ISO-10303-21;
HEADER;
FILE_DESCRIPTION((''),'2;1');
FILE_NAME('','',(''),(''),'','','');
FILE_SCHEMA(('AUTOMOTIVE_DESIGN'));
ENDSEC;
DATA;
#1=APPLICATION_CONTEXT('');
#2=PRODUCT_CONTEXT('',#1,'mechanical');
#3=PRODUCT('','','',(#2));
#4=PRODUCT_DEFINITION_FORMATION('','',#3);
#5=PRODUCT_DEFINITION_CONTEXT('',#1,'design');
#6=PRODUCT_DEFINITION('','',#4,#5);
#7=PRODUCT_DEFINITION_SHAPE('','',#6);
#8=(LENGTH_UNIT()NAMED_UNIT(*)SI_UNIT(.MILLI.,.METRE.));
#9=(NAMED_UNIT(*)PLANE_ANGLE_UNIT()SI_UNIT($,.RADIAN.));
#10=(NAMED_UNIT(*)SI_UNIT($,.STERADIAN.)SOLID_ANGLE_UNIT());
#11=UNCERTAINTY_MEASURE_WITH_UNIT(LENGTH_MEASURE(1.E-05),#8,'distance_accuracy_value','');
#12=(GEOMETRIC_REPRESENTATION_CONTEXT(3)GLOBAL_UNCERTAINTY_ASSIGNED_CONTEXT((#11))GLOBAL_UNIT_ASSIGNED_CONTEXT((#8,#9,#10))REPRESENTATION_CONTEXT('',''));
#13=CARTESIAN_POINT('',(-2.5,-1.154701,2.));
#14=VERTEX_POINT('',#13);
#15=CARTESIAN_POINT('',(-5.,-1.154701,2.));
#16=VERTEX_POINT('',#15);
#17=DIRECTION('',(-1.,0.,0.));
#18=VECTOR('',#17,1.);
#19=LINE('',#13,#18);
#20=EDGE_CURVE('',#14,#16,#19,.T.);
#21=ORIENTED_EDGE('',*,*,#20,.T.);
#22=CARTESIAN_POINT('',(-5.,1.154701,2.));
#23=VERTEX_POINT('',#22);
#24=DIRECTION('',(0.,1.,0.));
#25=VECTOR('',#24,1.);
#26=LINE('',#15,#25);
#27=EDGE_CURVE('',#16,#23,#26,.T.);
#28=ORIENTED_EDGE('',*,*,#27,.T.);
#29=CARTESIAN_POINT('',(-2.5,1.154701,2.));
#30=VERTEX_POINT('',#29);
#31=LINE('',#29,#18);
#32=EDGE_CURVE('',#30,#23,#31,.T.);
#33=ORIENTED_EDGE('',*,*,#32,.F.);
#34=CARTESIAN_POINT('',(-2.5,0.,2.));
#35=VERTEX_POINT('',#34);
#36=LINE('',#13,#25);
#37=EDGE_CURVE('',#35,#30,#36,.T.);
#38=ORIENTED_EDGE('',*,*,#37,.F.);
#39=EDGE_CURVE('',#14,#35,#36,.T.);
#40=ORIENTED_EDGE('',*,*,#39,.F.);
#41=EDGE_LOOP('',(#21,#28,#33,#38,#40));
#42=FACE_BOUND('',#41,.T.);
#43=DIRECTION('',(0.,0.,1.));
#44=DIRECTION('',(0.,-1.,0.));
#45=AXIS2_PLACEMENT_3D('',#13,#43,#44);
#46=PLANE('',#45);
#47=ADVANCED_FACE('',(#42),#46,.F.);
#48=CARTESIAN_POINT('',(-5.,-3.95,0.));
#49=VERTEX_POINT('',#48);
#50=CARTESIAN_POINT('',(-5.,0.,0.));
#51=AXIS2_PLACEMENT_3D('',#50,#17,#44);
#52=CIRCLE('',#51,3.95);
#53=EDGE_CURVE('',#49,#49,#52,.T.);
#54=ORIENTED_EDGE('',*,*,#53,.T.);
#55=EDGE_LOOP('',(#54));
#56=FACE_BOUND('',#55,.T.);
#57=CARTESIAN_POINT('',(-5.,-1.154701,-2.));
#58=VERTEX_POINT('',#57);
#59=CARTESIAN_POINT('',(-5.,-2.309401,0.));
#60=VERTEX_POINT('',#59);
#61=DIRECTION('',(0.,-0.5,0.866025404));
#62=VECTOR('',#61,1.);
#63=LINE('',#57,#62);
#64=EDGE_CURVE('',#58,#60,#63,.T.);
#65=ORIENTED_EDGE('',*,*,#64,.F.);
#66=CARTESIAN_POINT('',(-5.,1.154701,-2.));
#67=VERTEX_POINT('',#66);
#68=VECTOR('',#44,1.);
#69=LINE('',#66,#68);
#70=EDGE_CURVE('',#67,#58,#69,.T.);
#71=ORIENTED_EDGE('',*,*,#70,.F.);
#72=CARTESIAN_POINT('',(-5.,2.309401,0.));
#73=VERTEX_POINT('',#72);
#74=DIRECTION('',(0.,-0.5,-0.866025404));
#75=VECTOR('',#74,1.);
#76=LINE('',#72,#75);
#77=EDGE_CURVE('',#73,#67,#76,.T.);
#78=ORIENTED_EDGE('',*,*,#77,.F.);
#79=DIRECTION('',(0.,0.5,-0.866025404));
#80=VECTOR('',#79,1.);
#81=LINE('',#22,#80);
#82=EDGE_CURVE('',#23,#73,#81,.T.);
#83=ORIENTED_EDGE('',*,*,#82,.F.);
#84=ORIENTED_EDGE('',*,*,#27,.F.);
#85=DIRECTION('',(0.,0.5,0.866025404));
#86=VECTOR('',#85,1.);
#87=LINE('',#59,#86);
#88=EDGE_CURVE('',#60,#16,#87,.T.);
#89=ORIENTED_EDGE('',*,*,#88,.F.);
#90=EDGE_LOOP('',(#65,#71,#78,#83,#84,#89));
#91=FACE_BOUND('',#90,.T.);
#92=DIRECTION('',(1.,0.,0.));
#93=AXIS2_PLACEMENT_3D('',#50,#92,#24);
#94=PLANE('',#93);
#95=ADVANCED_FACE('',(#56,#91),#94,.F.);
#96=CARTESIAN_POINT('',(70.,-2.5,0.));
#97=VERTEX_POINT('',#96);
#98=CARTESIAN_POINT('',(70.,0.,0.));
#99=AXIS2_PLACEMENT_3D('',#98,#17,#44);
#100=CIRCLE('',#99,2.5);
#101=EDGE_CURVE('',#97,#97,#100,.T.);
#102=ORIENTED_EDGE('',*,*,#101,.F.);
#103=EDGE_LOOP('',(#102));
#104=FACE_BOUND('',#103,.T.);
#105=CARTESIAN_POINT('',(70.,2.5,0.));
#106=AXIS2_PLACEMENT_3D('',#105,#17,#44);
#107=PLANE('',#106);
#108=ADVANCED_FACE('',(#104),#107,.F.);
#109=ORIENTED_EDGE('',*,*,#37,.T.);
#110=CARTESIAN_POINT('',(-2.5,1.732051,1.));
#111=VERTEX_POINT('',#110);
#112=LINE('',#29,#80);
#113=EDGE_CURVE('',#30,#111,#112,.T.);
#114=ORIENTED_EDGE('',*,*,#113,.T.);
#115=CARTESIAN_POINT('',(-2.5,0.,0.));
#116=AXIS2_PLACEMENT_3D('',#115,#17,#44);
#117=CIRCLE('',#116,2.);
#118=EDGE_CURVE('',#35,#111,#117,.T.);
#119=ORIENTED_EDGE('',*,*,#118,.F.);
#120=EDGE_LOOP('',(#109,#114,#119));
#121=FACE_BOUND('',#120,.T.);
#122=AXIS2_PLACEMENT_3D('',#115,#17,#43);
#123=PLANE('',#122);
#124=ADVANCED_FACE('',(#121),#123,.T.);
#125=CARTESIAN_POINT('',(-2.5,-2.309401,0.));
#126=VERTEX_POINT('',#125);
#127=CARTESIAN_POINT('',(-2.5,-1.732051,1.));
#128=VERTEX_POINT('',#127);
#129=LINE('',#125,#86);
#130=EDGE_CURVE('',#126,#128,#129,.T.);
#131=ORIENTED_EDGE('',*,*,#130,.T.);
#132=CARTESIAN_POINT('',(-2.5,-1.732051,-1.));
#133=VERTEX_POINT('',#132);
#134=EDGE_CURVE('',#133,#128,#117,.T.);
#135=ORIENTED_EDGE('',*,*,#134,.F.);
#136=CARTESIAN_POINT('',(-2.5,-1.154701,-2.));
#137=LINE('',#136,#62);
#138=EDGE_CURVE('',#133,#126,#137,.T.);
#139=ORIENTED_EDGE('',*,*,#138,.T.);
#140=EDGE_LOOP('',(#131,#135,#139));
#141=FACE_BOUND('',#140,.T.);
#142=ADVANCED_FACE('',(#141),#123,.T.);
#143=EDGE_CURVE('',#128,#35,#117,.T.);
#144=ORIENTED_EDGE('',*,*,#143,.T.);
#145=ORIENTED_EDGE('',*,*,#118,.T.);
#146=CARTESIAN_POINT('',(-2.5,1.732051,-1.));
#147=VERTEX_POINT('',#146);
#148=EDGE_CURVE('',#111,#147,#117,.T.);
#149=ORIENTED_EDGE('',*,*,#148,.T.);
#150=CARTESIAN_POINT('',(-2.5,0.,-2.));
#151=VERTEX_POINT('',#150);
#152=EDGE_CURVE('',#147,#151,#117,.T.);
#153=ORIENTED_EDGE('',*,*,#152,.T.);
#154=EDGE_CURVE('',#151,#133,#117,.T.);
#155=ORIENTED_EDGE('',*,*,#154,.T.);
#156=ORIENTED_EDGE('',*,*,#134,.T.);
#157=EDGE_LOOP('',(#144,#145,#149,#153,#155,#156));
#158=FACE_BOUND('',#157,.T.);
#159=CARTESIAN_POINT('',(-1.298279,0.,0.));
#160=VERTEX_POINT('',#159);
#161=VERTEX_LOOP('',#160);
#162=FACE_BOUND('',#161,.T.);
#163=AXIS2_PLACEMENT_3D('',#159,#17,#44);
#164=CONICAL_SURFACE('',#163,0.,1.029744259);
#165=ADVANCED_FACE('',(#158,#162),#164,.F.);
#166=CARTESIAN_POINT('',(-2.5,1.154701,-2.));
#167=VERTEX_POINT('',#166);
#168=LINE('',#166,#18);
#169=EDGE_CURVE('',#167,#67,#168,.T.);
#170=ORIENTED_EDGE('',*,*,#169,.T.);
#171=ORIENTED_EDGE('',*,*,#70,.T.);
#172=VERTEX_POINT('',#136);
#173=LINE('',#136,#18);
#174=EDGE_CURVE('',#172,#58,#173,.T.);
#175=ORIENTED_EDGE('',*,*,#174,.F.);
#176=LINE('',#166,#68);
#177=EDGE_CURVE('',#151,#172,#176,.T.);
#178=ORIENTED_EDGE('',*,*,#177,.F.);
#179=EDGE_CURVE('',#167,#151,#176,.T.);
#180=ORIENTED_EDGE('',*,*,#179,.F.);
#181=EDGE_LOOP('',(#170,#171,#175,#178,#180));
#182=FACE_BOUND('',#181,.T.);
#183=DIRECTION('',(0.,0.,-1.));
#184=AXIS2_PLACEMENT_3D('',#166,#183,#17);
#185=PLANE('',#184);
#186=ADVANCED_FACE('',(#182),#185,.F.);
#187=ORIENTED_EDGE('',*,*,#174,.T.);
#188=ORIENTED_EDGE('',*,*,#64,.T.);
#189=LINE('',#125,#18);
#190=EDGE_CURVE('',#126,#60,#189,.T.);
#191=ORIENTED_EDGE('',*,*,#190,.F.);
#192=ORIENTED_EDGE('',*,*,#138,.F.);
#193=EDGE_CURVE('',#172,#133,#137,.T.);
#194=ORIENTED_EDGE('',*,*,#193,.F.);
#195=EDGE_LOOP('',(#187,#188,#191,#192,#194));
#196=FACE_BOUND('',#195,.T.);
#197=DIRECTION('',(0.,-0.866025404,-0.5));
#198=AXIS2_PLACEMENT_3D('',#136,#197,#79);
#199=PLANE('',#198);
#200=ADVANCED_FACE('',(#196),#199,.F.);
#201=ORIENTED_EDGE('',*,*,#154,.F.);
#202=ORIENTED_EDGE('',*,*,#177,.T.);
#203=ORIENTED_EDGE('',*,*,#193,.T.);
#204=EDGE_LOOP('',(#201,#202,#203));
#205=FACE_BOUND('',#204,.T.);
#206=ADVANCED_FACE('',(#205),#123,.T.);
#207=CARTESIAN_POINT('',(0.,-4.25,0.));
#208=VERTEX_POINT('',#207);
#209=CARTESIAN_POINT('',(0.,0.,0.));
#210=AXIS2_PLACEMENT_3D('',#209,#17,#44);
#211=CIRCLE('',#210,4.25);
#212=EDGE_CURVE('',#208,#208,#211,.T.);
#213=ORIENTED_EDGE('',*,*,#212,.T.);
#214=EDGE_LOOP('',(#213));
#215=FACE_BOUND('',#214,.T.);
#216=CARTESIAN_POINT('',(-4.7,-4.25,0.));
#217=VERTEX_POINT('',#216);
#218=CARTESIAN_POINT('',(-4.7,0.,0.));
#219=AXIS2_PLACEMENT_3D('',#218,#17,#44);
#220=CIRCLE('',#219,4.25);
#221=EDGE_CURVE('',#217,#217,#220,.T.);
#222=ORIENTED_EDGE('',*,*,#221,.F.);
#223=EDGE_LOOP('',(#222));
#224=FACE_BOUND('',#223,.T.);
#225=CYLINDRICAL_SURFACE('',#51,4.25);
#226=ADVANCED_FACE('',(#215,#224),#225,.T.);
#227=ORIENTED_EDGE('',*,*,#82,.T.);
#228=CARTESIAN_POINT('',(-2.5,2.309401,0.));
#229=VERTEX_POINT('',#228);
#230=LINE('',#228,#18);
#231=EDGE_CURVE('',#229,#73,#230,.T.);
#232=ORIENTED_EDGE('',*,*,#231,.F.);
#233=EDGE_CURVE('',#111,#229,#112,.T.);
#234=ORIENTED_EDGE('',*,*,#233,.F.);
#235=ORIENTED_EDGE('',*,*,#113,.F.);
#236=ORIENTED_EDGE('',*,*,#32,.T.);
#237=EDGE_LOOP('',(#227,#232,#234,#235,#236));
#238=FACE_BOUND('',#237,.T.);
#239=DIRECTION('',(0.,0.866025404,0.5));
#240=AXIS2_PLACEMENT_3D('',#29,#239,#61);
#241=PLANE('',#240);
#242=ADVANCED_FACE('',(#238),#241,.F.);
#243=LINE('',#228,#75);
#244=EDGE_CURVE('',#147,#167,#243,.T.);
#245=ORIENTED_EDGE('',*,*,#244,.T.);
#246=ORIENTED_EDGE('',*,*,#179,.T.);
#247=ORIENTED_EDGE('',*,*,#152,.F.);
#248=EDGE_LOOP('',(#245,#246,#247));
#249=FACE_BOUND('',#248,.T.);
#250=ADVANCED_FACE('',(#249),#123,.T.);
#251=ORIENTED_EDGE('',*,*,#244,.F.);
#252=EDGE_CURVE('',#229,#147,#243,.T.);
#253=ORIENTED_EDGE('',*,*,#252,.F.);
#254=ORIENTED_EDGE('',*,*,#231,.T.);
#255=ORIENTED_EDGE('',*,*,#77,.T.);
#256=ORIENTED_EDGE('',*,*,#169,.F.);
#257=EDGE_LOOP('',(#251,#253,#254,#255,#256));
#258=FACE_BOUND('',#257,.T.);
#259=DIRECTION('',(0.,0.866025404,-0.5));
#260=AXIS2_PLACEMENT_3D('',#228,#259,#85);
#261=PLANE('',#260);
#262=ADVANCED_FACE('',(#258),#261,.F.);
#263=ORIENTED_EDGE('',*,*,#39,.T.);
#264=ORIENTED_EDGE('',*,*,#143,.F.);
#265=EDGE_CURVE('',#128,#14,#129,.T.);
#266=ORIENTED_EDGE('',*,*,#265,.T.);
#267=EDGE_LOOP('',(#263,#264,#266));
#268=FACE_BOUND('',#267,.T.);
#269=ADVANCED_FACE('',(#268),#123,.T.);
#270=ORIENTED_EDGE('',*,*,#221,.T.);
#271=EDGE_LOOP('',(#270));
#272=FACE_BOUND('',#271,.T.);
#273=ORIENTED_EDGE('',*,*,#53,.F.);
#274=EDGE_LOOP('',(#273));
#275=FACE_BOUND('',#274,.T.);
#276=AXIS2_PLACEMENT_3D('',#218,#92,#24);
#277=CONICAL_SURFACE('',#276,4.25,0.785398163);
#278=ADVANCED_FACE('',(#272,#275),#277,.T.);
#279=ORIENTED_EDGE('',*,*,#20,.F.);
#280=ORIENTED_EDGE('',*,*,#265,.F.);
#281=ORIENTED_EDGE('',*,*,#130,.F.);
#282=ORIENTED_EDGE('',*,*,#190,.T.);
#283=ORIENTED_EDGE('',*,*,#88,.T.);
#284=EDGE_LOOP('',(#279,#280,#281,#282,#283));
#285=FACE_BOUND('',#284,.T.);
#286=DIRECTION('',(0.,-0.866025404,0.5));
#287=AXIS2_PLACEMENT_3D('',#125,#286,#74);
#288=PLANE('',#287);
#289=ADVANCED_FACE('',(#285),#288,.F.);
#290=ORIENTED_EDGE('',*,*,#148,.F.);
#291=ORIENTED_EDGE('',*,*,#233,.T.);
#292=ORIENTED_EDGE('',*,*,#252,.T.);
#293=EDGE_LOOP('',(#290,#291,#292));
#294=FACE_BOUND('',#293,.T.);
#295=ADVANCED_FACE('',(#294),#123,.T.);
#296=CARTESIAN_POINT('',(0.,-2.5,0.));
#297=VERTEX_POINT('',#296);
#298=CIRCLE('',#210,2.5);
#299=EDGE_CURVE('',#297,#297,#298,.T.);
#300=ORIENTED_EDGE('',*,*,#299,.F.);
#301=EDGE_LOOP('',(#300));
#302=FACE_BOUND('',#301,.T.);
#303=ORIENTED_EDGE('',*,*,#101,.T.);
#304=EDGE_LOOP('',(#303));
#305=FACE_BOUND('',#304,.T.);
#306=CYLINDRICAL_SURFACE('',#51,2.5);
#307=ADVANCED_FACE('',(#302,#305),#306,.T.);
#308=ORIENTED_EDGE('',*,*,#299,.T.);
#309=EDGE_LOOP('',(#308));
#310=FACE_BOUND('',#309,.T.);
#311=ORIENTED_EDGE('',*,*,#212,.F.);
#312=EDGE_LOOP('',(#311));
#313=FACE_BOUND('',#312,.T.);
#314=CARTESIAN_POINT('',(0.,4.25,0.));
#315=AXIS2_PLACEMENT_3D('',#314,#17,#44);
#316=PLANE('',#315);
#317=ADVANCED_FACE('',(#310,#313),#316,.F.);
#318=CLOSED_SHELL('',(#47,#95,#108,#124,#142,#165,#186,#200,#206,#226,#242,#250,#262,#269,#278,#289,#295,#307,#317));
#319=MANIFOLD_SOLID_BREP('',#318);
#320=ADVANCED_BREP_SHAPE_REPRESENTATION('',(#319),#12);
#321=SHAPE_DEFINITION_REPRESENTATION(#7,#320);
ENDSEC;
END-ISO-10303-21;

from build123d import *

# Parameters (mm, degrees)
CUT_EXTRUDE1_DEPTH = 2.5


with BuildPart() as part:
    # Sketch1 → Revolve1 (revolve)
    with BuildSketch(Plane.XY, mode=Mode.PRIVATE) as revolve1_sk:
        Polygon((-5, 0), (-5, 3.95), (-4.7, 4.25), (0, 4.25), (0, 2.5), (70, 2.5), (70, 0), align=None)
    revolve(revolve1_sk.sketch.rotate(Axis((-5, 0, 0), (1, 0, 0)), 180), axis=Axis((-5, 0, 0), (1, 0, 0)))

    # Sketch2 → Cut-Extrude1 (cut)
    with BuildSketch(Plane.ZY.offset(5)):
        Polygon((0, 2.309401077), (-2, 1.154700538), (-2, -1.154700538), (0, -2.309401077), (2, -1.154700538), (2, 1.154700538), align=None)
    extrude(amount=-CUT_EXTRUDE1_DEPTH, mode=Mode.SUBTRACT)

    # Sketch3 → Cut-Revolve1 (revolve, cut)
    with BuildSketch(Plane.XY, mode=Mode.PRIVATE) as cut_revolve1_sk:
        Polygon((-2.5, 0), (-2.5, 2), (-1.298278762, 0), align=None)
    revolve(cut_revolve1_sk.sketch.rotate(Axis((-2.5, 0, 0), (1, 0, 0)), 180), axis=Axis((-2.5, 0, 0), (1, 0, 0)), mode=Mode.SUBTRACT)


solid = part.part
